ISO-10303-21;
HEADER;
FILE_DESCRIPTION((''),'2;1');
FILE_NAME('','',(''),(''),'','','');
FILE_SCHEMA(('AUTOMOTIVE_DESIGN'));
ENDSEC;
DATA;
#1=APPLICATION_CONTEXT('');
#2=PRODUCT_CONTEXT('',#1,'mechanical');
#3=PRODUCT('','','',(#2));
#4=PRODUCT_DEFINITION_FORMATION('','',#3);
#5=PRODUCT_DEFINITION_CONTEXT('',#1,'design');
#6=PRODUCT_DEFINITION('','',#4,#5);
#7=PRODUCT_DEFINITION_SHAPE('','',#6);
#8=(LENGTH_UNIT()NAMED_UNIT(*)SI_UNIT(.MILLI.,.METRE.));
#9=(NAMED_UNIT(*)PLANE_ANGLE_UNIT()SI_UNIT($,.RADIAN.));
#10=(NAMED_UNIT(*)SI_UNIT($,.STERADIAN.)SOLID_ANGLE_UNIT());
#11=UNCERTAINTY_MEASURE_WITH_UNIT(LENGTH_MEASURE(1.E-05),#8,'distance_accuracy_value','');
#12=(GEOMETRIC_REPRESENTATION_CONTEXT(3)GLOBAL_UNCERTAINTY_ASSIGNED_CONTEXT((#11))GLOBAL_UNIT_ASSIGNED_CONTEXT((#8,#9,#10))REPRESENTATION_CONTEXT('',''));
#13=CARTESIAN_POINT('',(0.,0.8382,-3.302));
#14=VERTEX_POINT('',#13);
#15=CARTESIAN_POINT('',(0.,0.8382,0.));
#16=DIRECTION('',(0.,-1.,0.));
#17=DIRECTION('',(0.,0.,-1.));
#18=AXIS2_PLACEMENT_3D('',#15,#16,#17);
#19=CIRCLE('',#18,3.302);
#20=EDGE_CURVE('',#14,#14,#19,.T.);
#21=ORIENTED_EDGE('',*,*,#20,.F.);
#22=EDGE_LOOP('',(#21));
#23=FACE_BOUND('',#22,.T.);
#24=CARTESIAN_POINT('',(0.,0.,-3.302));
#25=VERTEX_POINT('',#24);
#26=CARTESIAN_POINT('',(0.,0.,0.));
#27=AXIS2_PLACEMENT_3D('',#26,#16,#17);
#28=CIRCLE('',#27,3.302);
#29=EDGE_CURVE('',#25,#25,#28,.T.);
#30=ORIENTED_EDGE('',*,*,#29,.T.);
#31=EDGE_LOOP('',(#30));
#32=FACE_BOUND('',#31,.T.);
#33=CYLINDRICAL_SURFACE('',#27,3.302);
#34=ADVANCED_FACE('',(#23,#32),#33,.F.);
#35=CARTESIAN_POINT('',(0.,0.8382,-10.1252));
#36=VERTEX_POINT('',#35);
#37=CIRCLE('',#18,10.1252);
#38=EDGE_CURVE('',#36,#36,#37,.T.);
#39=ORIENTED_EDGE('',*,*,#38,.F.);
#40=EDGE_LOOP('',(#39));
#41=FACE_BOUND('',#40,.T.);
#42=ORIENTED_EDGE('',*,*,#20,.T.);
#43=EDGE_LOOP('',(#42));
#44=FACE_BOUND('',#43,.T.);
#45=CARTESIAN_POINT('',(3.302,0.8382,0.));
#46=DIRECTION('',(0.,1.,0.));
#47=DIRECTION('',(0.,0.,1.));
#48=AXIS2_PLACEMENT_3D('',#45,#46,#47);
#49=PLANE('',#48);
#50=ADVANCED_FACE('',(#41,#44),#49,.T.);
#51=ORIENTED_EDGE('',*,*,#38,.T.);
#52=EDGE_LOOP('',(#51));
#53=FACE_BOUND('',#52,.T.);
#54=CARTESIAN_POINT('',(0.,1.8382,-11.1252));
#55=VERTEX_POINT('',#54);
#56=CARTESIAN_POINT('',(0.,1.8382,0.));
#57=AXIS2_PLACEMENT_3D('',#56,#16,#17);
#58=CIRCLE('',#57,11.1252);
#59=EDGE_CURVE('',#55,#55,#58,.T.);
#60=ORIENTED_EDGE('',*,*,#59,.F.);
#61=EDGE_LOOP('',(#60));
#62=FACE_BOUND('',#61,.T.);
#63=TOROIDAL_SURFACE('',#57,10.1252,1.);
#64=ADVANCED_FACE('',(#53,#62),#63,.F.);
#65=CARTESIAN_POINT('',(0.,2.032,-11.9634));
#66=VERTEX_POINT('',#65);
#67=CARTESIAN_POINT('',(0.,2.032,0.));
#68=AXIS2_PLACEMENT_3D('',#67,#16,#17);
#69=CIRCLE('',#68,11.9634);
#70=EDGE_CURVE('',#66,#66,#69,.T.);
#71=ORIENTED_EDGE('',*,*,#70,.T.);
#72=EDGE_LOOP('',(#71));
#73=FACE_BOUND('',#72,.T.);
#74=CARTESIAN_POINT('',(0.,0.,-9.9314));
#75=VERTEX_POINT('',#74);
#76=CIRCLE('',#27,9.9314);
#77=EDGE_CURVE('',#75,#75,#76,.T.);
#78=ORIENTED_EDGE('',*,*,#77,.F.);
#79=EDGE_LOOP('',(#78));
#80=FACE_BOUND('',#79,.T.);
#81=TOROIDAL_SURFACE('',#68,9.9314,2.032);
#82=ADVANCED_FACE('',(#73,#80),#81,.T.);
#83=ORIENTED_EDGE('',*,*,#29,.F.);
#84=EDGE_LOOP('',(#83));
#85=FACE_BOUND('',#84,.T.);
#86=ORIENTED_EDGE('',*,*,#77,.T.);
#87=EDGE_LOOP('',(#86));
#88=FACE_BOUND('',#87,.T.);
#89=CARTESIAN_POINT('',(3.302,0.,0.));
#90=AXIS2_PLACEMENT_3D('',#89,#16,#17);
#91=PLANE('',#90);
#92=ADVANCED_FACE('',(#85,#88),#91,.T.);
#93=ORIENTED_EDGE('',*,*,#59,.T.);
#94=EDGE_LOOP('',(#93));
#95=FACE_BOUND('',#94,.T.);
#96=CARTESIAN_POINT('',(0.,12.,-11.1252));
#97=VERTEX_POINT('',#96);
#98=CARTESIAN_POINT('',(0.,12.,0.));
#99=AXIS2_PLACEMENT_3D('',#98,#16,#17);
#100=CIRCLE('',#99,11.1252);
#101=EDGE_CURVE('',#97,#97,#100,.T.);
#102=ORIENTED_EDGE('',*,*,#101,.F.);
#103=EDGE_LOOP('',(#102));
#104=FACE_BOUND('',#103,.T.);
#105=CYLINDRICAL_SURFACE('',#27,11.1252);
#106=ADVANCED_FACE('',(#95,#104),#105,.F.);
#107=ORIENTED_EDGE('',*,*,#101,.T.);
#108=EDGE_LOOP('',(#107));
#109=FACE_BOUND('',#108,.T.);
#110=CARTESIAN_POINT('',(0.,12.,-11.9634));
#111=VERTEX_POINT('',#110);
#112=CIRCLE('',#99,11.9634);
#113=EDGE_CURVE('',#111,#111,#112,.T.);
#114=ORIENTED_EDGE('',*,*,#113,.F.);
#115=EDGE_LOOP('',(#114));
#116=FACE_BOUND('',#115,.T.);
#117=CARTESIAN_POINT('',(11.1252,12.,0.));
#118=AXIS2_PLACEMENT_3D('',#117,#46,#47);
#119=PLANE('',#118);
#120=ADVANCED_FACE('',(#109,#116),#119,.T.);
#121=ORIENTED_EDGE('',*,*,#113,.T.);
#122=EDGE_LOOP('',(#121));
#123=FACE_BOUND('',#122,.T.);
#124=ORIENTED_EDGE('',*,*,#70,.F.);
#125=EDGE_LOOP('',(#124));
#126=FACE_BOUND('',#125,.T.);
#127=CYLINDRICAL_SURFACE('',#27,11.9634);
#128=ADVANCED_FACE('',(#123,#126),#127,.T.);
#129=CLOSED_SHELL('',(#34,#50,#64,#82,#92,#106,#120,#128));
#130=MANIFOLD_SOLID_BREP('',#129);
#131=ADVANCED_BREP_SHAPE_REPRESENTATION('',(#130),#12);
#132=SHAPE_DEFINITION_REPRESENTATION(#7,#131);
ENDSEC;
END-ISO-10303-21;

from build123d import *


with BuildPart() as part:
    # Sketch1 → Revolve1 (revolve)
    with BuildSketch(Plane.XY):
        with BuildLine():
            Line((3.302, 0), (9.9314, 0))
            ThreePointArc((9.9314, 0), (11.368240979, 0.595159021), (11.9634, 2.032))
            Line((11.9634, 2.032), (11.9634, 12))
            Line((11.9634, 12), (11.1252, 12))
            Line((11.1252, 12), (11.1252, 1.8382))
            ThreePointArc((11.1252, 1.8382), (10.832306781, 1.131093219), (10.1252, 0.8382))
            Line((10.1252, 0.8382), (3.302, 0.8382))
            Line((3.302, 0.8382), (3.302, 0))
        make_face()
    revolve(axis=Axis((0, 0, 0), (0, 1, 0)))


solid = part.part
